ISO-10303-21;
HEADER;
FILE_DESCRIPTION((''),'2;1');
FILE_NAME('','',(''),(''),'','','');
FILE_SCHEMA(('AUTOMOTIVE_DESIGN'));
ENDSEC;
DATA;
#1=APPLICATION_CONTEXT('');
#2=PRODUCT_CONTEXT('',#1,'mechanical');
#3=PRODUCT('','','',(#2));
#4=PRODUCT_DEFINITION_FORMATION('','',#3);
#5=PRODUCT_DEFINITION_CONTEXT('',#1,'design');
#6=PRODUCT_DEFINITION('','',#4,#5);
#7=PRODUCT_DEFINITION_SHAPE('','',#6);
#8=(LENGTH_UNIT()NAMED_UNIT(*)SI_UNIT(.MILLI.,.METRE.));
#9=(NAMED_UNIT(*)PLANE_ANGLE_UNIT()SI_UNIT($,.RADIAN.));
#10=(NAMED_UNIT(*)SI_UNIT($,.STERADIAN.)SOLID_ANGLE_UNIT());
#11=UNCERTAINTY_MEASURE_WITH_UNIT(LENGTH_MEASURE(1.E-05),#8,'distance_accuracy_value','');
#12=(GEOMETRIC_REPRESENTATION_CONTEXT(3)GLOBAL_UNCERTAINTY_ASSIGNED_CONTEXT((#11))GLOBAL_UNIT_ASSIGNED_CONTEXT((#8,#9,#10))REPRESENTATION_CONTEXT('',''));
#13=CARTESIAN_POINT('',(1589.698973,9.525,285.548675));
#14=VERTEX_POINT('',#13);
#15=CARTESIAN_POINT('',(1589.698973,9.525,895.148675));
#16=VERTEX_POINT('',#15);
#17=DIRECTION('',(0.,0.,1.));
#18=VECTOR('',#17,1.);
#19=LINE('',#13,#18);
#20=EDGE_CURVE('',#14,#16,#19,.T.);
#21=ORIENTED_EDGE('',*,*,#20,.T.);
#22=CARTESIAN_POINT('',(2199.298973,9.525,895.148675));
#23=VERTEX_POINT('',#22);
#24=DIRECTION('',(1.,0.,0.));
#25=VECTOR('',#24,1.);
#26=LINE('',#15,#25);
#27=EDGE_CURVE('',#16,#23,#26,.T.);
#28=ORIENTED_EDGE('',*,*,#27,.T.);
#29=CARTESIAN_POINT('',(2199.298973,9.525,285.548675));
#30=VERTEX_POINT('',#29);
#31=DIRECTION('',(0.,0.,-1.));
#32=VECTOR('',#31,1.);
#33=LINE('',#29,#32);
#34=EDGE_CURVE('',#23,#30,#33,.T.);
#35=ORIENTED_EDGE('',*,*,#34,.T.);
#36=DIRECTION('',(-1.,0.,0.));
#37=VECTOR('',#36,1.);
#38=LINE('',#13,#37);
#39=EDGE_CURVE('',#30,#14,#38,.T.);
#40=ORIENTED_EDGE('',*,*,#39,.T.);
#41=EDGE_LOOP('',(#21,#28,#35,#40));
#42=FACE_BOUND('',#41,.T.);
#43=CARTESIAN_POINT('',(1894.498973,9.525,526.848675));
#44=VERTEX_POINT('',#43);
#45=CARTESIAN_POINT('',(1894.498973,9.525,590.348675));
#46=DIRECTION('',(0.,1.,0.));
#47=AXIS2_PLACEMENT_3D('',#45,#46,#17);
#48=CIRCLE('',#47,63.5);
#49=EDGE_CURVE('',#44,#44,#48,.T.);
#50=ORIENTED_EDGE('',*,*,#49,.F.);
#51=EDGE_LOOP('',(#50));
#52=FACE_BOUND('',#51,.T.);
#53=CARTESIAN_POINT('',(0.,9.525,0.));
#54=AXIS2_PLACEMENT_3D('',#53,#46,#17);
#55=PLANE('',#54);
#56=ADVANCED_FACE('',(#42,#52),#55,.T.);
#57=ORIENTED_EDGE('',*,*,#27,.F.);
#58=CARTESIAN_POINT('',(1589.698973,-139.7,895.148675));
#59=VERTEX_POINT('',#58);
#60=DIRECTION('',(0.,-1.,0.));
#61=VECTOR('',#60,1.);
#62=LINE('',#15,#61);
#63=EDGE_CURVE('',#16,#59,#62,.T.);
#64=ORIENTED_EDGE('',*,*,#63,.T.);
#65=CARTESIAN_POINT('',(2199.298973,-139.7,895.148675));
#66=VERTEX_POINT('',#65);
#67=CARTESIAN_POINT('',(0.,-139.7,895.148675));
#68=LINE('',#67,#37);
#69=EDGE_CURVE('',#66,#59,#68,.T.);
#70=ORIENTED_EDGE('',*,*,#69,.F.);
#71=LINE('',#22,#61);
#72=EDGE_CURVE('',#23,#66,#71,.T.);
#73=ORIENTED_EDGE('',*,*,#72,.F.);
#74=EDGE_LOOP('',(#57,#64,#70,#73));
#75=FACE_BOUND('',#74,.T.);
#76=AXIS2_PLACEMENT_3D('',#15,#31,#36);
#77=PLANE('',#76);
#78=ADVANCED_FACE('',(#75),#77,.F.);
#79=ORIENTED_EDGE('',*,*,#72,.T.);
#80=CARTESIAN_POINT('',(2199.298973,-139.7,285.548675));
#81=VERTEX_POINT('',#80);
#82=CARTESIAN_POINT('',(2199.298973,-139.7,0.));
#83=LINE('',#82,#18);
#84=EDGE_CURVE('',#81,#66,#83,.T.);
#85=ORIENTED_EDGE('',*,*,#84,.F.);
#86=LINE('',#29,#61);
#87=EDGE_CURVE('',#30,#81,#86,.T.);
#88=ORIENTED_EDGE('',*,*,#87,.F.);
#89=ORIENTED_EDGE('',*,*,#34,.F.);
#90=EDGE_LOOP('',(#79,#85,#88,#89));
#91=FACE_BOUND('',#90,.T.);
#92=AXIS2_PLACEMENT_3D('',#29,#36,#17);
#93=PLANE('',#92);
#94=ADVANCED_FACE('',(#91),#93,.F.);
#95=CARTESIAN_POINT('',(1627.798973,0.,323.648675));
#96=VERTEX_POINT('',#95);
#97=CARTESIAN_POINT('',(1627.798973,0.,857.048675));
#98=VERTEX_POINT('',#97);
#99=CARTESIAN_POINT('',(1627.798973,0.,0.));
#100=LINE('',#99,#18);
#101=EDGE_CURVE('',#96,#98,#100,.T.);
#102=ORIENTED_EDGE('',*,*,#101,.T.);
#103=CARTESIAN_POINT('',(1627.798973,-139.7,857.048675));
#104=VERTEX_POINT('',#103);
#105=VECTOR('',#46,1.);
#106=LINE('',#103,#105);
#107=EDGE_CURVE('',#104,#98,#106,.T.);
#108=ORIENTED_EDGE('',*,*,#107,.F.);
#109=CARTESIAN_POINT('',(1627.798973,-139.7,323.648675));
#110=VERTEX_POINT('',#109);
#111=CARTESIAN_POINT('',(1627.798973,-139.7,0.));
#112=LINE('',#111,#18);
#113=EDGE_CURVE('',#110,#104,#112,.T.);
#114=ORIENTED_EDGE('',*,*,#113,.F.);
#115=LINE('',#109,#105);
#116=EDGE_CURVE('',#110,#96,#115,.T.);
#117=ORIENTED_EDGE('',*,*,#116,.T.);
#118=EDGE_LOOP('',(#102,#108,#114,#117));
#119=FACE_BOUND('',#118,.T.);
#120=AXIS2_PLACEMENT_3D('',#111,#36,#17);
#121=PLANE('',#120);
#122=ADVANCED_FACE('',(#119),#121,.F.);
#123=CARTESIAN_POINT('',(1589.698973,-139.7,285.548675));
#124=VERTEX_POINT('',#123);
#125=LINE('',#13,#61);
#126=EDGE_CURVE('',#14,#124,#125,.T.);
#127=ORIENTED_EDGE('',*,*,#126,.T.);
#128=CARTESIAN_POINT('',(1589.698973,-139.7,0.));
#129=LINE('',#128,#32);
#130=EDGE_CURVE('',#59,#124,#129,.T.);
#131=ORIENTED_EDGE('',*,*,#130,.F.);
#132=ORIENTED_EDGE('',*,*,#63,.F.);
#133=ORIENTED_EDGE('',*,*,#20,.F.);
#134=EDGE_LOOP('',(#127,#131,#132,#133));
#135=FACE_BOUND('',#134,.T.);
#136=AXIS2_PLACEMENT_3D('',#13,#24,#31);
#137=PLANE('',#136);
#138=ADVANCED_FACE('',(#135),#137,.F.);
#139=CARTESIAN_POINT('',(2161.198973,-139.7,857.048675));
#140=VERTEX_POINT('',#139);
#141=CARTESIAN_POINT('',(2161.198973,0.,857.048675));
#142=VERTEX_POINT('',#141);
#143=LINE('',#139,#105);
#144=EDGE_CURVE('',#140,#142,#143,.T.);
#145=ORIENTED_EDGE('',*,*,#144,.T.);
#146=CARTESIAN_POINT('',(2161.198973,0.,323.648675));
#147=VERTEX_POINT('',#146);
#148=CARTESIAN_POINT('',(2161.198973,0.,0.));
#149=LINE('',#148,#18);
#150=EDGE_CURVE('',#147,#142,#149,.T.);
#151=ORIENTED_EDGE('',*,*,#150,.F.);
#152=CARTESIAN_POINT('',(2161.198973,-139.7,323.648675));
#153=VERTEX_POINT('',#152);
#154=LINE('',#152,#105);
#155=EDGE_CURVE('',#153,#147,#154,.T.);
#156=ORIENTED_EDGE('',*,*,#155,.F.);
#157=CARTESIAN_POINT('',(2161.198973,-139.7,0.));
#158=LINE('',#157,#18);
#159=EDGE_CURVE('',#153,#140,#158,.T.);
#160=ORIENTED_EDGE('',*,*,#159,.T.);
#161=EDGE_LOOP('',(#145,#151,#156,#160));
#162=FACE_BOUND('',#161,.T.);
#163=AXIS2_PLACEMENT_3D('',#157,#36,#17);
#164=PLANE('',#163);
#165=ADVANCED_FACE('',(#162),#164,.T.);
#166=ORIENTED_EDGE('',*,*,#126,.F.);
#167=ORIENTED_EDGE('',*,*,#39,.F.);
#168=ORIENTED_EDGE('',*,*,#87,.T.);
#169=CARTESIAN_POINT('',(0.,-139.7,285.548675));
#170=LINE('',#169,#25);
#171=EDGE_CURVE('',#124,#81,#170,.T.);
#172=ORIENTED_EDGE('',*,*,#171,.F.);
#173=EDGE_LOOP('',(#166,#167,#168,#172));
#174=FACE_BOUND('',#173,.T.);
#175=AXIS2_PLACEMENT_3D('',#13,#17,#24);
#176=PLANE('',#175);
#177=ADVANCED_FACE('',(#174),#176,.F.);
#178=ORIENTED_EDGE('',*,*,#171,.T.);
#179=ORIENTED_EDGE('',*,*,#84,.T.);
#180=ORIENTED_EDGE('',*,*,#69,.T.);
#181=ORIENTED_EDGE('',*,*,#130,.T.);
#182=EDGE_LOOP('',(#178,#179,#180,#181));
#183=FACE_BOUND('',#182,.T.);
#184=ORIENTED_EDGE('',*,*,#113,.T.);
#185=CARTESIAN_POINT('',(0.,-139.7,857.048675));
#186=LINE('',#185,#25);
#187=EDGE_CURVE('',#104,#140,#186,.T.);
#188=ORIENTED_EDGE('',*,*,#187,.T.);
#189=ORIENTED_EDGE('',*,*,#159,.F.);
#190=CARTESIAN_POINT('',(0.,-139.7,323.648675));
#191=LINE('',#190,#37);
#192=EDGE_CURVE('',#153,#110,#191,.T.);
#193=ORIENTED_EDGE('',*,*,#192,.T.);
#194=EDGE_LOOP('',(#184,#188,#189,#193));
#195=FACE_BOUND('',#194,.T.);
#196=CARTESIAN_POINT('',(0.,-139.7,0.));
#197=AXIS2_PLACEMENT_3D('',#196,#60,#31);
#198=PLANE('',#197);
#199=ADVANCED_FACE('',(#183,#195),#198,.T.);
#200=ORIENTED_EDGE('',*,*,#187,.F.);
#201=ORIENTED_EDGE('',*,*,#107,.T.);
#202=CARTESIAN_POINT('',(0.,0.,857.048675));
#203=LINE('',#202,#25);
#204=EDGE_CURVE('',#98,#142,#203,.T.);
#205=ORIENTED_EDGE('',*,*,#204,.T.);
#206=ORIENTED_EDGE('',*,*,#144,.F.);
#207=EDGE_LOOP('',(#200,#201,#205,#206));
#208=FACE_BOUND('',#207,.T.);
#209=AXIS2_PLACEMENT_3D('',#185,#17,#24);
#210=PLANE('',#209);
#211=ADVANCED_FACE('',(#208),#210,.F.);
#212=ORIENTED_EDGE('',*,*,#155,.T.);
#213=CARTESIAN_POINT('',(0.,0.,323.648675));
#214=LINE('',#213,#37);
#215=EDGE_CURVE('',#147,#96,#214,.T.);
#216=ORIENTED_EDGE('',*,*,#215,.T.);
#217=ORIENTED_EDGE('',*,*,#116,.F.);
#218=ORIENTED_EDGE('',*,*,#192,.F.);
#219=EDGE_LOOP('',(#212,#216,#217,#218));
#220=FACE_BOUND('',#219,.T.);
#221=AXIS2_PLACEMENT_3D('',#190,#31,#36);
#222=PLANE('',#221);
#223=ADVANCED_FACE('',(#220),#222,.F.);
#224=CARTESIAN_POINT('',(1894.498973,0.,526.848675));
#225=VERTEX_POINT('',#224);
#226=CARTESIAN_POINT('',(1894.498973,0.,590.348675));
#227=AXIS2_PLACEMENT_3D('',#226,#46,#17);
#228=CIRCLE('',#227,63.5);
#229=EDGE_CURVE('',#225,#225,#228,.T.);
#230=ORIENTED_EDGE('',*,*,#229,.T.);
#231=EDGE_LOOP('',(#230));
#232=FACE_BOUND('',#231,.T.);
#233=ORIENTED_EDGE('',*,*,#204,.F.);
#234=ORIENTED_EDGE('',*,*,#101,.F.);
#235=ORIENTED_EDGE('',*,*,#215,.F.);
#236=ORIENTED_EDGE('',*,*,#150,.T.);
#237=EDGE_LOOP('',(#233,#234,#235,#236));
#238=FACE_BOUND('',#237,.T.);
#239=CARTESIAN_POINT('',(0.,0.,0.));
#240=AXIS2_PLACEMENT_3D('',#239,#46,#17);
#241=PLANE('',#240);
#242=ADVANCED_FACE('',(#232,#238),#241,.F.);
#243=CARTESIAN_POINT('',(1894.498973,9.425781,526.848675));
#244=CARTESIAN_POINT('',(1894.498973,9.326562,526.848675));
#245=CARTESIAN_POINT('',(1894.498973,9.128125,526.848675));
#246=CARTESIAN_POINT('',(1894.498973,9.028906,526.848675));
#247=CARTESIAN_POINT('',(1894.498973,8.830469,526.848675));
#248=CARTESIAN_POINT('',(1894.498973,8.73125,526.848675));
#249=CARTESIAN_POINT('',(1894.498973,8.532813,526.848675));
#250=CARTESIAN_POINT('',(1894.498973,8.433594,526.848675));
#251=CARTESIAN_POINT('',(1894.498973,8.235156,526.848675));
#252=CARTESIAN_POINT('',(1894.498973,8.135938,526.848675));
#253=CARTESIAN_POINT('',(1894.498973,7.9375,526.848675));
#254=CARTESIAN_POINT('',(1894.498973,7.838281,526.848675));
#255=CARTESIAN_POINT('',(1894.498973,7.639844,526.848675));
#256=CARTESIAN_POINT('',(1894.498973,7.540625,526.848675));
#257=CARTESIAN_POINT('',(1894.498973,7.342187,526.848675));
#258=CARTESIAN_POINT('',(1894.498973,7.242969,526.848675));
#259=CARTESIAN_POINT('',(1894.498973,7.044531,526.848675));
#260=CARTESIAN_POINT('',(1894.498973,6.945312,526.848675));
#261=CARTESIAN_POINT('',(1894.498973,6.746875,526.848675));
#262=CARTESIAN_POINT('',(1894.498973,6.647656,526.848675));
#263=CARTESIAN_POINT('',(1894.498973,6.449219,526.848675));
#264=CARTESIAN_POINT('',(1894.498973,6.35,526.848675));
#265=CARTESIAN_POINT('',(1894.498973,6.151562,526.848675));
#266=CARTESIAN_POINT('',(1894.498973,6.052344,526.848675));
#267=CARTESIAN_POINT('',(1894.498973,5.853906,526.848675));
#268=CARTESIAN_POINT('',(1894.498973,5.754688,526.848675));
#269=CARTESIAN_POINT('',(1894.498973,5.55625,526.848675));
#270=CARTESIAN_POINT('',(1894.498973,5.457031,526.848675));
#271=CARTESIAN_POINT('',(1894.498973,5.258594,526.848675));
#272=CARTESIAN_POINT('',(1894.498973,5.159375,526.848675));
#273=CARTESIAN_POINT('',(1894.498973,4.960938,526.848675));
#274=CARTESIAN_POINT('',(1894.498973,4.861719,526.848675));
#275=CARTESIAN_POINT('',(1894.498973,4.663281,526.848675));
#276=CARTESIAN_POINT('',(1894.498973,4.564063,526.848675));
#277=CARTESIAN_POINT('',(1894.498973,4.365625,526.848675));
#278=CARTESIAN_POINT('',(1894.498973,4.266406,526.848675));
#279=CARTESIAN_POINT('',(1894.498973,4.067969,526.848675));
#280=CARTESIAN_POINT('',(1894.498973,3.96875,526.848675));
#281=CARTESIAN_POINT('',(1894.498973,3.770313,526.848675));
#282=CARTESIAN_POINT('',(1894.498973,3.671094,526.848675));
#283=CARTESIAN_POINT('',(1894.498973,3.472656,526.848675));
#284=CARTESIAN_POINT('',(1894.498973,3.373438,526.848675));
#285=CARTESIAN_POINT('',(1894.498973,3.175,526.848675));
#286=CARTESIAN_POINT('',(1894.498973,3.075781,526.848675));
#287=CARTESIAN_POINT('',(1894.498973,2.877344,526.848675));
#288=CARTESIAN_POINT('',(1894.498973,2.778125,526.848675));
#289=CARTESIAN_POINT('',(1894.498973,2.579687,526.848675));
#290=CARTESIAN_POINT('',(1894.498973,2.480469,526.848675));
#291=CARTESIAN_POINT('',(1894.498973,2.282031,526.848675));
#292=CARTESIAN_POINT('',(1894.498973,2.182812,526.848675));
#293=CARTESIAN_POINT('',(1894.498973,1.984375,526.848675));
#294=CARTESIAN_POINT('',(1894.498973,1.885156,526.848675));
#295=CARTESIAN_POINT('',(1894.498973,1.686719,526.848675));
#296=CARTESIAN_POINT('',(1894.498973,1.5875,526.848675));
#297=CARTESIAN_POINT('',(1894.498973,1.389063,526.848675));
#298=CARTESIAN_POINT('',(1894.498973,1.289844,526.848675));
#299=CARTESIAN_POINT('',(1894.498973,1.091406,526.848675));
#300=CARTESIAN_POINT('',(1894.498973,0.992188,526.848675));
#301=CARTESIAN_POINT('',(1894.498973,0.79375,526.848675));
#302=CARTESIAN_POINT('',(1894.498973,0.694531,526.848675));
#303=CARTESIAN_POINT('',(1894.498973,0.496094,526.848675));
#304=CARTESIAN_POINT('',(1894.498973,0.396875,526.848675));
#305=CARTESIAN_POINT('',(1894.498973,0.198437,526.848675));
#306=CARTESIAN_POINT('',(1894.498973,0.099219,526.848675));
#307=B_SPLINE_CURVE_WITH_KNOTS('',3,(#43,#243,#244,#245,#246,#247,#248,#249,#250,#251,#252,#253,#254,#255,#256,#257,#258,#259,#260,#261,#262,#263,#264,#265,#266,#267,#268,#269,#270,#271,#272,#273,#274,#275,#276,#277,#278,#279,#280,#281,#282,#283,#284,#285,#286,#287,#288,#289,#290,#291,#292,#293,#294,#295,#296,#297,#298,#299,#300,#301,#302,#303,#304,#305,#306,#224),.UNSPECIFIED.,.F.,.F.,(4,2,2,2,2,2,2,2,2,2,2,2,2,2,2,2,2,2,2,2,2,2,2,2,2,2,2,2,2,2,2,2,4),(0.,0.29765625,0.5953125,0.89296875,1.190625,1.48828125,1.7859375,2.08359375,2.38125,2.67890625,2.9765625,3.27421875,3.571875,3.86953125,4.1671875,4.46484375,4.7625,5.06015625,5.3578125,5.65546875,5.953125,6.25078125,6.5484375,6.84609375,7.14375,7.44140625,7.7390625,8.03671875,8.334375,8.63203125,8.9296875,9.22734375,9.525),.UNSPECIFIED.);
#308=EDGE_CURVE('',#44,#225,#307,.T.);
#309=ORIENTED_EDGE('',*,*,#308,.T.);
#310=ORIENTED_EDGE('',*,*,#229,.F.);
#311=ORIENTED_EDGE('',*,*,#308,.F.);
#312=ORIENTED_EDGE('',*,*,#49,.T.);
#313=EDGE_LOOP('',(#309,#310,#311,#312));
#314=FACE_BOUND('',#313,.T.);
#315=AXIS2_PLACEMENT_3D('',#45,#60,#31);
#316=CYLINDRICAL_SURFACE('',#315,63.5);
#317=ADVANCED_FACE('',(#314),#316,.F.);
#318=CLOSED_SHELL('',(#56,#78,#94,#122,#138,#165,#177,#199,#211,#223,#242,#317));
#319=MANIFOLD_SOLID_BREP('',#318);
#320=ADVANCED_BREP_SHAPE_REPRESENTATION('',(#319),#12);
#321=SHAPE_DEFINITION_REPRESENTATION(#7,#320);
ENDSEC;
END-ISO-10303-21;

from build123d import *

# Parameters (mm, degrees)
SKETCH1_W           = 609.6
SKETCH1_H           = 609.6
SKETCH1_R           = 63.5
BOSS_EXTRUDE1_DEPTH = 9.525
BOSS_EXTRUDE2_DEPTH = 139.7


with BuildPart() as part:
    # Sketch1 → Boss-Extrude1 (new body)
    with BuildSketch(Plane(origin=(0, 0, 0), x_dir=(1, 0, 0), z_dir=(0, 1, 0))):
        with Locations((1894.49897269, -590.348674534)):
            Rectangle(SKETCH1_W, SKETCH1_H)
        with Locations(Location((1894.49897269, -590.348674534, 0), (0, 0, 90))):
            Circle(SKETCH1_R, mode=Mode.SUBTRACT)
    extrude(amount=BOSS_EXTRUDE1_DEPTH)

    # Sketch2 → Boss-Extrude2 (add)
    with BuildSketch(Plane.XZ):
        Polygon((1589.69897269, 323.648674534), (1589.69897269, 285.548674534), (1742.09897269, 285.548674534), (2046.89897269, 285.548674534), (2199.29897269, 285.548674534), (2199.29897269, 437.948674534), (2199.29897269, 742.748674534), (2199.29897269, 895.148674534), (2046.89897269, 895.148674534), (1742.09897269, 895.148674534), (1589.69897269, 895.148674534), (1589.69897269, 742.748674534), (1589.69897269, 437.948674534), align=None)
        Polygon((1742.09897269, 323.648674534), (1627.79897269, 323.648674534), (1627.79897269, 437.948674534), (1627.79897269, 742.748674534), (1627.79897269, 857.048674534), (1742.09897269, 857.048674534), (2046.89897269, 857.048674534), (2161.19897269, 857.048674534), (2161.19897269, 742.748674534), (2161.19897269, 437.948674534), (2161.19897269, 323.648674534), (2046.89897269, 323.648674534), align=None, mode=Mode.SUBTRACT)
    extrude(amount=BOSS_EXTRUDE2_DEPTH)


solid = part.part
